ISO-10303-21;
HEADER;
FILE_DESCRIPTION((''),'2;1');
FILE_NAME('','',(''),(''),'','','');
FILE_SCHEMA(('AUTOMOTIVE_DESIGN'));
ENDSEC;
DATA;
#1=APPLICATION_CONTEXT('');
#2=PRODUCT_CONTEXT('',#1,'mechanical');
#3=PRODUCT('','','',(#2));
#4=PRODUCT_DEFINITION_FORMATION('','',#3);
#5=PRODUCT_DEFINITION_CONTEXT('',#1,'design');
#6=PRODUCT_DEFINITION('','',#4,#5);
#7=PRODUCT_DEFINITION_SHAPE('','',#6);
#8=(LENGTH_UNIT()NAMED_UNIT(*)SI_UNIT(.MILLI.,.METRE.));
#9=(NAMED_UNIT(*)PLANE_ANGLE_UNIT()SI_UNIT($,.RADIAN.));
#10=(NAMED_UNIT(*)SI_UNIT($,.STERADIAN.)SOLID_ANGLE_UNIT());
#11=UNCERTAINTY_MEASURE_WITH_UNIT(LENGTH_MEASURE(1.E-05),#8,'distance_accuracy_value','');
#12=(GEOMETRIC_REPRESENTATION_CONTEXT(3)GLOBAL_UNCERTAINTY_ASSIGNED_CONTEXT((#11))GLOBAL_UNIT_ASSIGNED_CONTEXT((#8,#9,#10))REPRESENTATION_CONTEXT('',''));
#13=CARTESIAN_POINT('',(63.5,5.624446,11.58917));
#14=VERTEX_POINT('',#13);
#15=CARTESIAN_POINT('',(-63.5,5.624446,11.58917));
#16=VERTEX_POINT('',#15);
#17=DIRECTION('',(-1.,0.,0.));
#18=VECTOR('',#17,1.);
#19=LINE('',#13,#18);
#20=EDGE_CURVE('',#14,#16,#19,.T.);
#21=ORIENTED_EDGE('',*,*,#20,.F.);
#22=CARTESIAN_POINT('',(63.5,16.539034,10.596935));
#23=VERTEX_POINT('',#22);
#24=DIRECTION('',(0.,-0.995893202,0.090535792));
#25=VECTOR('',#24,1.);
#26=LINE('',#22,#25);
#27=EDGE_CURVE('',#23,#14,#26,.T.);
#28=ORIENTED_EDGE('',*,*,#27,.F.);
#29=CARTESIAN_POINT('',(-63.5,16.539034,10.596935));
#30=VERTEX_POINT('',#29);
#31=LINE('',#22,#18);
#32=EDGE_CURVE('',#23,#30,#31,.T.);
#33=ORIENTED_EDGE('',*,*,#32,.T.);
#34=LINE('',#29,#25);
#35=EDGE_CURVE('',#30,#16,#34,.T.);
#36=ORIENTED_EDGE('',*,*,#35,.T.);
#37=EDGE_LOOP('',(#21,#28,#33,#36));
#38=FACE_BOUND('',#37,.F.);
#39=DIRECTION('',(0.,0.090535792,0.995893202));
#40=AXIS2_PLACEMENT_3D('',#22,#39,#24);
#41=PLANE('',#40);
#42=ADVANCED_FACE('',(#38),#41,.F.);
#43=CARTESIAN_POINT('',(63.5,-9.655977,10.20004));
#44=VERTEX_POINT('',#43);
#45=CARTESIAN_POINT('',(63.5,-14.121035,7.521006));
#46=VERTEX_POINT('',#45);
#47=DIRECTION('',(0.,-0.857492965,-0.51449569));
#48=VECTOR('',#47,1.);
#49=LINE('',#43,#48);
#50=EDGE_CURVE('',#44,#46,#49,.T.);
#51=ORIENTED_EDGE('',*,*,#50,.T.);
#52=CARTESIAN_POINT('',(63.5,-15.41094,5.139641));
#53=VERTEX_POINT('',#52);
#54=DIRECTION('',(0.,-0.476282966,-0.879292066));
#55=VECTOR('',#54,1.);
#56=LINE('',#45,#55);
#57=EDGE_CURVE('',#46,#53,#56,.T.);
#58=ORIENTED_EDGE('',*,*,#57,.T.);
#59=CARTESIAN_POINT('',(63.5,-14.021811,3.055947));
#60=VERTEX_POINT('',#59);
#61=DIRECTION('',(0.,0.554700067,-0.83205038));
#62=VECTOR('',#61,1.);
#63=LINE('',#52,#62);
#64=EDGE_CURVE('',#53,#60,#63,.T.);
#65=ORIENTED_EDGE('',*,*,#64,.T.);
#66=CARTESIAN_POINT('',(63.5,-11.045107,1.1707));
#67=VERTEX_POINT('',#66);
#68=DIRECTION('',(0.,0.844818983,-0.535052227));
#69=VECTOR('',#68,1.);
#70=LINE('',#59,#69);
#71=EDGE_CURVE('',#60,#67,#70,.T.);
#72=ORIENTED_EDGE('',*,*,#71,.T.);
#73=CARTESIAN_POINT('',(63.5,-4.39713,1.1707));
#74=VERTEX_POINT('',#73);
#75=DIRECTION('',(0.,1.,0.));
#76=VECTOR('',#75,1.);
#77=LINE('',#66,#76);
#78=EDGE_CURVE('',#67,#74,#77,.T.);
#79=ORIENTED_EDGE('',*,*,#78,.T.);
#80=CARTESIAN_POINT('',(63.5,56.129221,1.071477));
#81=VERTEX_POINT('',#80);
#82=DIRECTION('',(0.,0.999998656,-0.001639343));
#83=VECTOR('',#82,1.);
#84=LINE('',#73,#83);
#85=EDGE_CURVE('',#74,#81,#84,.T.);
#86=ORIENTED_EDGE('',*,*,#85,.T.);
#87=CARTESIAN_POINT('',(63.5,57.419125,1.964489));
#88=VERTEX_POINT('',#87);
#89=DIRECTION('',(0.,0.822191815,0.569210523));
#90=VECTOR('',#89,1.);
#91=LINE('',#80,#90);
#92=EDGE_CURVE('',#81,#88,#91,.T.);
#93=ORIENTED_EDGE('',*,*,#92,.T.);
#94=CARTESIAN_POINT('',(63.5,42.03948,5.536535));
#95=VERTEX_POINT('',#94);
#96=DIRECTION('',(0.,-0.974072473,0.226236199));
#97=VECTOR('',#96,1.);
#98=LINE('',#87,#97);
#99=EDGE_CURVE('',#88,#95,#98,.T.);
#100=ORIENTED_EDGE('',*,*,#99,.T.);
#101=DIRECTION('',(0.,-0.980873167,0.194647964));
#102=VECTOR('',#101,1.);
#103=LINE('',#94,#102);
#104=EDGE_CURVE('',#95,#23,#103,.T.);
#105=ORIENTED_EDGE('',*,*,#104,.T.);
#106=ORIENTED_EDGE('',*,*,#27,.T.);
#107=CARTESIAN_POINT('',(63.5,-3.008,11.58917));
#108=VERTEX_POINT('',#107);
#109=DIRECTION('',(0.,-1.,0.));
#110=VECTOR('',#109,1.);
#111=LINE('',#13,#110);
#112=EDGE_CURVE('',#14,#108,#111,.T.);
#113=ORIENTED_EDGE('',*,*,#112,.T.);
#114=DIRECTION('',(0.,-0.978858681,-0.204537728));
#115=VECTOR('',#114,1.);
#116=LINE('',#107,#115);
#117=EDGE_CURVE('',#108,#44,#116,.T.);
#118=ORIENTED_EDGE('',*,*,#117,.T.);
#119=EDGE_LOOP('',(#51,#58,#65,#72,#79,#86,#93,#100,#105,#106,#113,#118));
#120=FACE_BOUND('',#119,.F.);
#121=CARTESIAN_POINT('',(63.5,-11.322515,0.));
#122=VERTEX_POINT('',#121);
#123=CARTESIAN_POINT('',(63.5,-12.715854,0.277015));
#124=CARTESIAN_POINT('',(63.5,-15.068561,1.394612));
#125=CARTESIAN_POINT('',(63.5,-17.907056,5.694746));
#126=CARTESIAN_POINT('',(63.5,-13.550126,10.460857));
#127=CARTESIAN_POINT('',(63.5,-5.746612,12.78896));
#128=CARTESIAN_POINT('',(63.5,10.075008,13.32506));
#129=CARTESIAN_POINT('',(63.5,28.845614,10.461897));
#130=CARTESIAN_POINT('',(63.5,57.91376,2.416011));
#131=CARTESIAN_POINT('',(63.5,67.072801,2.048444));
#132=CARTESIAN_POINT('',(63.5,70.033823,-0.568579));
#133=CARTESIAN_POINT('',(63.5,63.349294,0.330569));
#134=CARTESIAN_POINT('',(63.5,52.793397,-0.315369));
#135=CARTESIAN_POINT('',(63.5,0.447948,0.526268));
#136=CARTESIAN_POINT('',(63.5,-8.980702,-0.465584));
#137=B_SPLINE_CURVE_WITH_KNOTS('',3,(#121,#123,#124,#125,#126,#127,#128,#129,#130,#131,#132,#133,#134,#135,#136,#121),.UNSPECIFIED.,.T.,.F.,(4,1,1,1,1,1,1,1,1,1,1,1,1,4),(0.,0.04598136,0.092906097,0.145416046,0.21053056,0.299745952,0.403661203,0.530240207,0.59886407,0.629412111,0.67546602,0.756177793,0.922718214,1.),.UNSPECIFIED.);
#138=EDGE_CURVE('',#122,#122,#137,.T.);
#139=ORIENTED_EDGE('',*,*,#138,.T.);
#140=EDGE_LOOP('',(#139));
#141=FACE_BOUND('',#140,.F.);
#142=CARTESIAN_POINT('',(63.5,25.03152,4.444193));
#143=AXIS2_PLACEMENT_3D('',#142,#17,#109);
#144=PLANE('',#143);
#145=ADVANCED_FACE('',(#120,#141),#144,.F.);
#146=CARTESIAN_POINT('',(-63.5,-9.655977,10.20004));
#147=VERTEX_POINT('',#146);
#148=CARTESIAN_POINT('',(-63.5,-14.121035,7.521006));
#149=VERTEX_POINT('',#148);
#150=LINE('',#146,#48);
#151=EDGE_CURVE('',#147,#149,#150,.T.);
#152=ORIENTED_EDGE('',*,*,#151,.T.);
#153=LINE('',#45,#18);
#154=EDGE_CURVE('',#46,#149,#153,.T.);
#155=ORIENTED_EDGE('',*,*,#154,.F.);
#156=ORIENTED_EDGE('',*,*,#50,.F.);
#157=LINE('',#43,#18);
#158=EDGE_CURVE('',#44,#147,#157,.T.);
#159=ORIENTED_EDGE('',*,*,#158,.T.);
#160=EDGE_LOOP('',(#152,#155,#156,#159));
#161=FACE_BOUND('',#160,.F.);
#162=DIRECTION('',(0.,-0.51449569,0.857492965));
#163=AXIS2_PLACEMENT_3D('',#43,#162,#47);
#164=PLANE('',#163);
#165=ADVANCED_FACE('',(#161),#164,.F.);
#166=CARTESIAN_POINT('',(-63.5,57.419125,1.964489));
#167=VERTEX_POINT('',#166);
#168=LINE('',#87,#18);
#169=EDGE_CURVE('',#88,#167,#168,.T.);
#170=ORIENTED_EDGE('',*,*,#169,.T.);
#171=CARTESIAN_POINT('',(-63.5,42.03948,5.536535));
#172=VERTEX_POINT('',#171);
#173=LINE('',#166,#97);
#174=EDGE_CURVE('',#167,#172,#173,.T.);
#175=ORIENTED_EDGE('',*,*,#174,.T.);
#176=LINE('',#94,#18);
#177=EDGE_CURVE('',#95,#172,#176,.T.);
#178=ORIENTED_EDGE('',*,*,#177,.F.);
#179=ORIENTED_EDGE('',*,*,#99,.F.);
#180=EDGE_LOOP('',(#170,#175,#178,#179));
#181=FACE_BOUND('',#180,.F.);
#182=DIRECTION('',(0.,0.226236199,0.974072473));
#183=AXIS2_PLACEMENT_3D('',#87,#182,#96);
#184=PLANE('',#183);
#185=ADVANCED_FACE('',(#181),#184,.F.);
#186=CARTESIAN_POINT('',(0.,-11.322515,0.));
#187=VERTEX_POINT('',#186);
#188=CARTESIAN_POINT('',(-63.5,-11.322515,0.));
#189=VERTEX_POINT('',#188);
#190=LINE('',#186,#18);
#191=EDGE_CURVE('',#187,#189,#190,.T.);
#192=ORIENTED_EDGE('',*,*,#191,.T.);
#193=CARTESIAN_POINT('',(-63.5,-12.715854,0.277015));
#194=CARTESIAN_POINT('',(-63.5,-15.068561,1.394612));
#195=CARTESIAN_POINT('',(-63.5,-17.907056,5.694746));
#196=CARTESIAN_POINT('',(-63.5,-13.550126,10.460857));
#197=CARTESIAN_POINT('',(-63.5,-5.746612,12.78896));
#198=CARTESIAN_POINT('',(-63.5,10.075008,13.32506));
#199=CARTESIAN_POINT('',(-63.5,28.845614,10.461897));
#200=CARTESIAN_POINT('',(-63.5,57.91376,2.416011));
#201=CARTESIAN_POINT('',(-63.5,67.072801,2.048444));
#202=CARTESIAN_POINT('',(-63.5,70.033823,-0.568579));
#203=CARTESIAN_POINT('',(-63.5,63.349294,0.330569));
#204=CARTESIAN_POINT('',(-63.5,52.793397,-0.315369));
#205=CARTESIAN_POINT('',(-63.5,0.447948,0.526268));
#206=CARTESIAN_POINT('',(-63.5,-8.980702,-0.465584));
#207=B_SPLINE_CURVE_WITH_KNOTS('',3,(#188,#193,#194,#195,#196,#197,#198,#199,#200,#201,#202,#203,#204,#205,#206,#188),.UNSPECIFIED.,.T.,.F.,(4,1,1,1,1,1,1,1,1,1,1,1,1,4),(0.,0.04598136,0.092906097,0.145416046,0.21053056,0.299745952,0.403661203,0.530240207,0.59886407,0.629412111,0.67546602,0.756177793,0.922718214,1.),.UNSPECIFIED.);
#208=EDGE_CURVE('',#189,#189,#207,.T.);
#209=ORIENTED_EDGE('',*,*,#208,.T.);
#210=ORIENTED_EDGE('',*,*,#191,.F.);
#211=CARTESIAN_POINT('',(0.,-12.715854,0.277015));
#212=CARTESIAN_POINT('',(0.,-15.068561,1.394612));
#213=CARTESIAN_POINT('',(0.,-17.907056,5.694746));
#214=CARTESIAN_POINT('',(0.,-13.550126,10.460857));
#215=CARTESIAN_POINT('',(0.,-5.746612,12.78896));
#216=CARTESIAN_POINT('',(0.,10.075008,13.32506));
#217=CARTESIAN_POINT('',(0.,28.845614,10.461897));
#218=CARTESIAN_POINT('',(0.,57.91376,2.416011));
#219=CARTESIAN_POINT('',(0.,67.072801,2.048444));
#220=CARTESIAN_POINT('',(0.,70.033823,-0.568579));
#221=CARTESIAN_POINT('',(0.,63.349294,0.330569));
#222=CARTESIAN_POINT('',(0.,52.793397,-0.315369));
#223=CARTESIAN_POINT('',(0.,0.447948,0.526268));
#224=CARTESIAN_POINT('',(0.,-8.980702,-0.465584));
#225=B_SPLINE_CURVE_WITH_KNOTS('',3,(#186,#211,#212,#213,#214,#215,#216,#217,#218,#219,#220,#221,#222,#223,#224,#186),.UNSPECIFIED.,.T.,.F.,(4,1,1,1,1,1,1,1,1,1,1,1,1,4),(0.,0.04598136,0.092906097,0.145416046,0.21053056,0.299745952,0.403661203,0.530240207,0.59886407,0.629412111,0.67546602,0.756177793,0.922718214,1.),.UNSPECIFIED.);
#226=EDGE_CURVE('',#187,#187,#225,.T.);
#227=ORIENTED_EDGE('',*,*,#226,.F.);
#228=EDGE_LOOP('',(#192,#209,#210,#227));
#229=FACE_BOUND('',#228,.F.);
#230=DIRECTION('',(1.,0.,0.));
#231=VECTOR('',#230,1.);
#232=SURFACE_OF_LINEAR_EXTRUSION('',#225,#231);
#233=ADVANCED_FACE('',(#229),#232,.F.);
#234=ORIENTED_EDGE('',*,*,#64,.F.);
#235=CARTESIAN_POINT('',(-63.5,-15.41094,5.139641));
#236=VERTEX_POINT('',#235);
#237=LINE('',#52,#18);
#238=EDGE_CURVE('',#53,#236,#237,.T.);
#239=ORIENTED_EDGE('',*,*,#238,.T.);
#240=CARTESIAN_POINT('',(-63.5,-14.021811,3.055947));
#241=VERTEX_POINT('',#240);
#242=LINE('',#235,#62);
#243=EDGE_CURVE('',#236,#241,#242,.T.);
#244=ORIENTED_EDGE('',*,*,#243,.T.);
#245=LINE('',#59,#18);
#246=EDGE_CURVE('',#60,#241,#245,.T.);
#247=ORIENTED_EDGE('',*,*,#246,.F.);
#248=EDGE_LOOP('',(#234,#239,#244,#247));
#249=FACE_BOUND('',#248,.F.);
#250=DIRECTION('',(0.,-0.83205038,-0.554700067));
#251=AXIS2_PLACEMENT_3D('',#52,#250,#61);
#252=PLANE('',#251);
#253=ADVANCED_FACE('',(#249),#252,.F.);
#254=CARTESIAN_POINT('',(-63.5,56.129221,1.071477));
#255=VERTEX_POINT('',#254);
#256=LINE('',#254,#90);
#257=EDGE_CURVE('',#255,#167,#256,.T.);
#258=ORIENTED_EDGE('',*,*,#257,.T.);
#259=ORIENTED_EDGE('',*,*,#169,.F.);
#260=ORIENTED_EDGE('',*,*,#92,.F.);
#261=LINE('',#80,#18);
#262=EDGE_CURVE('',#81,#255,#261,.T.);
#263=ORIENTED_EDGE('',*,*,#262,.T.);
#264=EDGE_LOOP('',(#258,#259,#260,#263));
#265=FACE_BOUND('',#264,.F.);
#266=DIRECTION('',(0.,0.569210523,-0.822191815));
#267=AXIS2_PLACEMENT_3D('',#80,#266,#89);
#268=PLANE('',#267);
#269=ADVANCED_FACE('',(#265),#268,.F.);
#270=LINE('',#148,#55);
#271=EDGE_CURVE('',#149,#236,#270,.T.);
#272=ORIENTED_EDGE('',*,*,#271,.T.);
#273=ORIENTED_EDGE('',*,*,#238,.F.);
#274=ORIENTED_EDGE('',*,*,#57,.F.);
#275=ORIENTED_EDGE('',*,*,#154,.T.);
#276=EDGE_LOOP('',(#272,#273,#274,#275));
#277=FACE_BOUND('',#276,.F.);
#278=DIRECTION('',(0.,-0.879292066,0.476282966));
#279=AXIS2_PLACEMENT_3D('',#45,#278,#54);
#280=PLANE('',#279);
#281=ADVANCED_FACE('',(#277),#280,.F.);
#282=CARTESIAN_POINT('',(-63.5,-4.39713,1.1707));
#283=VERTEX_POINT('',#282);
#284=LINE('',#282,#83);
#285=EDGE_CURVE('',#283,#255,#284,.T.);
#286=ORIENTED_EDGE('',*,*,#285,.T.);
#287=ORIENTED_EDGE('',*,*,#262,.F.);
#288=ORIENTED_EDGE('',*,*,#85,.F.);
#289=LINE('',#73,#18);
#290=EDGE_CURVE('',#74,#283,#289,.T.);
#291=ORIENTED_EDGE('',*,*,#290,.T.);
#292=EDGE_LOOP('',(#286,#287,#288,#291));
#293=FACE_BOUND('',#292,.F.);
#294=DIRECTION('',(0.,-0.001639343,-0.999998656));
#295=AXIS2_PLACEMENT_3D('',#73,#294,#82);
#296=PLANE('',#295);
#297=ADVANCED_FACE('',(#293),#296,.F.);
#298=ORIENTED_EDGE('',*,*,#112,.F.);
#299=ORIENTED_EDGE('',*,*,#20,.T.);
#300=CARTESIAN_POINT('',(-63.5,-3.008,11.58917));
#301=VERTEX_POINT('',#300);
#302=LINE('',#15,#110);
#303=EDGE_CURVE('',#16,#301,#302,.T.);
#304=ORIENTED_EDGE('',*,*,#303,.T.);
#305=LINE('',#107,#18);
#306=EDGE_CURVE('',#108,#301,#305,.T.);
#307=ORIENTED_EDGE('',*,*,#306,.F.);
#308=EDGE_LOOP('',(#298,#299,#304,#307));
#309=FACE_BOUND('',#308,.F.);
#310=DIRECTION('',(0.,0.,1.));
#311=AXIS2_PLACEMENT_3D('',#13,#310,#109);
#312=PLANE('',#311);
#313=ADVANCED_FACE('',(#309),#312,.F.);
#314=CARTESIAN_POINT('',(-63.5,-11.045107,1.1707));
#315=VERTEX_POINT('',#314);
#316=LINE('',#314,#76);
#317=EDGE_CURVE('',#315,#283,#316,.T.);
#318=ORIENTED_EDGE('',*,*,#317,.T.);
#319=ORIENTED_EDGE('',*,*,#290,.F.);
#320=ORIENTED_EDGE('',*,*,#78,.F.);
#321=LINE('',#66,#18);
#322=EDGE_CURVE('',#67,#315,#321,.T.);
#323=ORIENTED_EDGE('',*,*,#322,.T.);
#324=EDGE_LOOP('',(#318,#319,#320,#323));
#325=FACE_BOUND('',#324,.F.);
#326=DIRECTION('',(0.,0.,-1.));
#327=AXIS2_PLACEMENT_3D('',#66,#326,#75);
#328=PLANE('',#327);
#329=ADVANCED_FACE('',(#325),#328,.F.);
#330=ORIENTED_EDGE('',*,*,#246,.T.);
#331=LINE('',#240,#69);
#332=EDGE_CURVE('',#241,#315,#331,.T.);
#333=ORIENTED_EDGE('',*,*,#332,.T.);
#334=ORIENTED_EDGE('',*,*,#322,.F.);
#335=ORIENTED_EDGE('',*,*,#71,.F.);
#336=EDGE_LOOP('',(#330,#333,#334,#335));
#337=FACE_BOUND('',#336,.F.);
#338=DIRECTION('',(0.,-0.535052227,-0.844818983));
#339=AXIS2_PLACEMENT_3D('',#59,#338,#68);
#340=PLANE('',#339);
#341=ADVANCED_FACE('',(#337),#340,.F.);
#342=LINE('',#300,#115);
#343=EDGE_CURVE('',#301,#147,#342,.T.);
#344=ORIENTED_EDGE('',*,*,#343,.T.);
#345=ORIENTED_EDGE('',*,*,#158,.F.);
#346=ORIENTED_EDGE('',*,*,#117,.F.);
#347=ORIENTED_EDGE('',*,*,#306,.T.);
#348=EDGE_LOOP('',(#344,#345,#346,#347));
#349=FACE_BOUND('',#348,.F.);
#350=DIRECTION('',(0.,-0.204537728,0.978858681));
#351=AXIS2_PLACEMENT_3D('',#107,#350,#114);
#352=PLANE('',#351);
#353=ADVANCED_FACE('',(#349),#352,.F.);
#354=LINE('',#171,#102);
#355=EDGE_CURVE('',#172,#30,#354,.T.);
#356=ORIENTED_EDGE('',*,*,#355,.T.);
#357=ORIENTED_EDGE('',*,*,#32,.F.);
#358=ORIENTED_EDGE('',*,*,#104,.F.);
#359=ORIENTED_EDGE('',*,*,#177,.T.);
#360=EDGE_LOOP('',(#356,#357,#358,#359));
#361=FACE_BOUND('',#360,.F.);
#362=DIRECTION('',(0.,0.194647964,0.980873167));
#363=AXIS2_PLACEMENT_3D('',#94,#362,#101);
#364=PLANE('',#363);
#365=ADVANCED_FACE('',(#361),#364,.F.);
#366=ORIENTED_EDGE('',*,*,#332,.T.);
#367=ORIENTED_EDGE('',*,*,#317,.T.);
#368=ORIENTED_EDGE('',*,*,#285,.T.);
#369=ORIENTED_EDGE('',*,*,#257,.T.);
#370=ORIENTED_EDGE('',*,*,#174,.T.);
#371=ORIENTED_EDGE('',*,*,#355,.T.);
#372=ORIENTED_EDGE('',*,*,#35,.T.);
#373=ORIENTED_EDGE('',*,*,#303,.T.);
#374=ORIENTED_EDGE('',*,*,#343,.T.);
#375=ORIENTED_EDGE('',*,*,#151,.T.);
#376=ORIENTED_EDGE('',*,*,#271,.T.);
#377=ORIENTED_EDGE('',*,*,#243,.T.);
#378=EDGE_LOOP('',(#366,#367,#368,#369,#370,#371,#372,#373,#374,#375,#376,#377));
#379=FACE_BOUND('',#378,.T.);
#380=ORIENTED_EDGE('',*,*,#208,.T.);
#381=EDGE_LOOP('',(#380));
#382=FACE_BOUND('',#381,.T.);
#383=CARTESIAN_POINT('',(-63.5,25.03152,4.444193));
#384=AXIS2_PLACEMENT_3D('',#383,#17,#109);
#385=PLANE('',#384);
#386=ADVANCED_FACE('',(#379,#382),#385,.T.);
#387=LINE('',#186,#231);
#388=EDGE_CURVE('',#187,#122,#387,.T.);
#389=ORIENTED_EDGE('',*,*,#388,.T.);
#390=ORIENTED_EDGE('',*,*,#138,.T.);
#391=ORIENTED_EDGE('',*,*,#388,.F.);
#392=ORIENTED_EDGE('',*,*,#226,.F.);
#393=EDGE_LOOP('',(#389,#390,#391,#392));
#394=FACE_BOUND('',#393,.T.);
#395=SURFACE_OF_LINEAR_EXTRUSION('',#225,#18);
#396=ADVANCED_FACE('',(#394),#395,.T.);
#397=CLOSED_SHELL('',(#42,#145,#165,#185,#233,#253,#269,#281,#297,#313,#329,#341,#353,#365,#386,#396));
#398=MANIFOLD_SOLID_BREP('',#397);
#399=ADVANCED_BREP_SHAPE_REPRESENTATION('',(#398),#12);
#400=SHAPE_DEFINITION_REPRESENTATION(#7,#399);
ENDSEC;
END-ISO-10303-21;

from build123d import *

# Parameters (mm, degrees)
F1_DEPTH      = 63.5
F1_DEPTH_BACK = 63.5
F3_DEPTH      = 127


with BuildPart() as f1:
    # F0 (on Right) → F1 (new body, two sides)
    with BuildSketch(Plane.YZ) as f1_sk:
        with BuildLine():
            add(Edge.make_bspline(
                [(-11.3225150853, 0), (-12.7158543585, 0.2770146483), (-15.0685609853, 1.3946122235), (-17.9070561668, 5.6947463584), (-13.5501261372, 10.4608568659), (-5.7466124489, 12.788960488), (10.0750079599, 13.3250601655), (28.8456139202, 10.4618973674), (57.9137596955, 2.4160107126), (67.072801422, 2.0484435555), (70.033822944, -0.5685789704), (63.3492943712, 0.3305689955), (52.7933972094, -0.315368698), (0.4479477851, 0.5262678674), (-8.9807021, -0.4655840204), (-11.3225150853, 0)],
                knots=[0, 0, 0, 0, 0.0459813605, 0.0929060971, 0.1454160458, 0.2105305602, 0.2997459524, 0.4036612031, 0.5302402072, 0.5988640695, 0.6294121107, 0.67546602, 0.7561777932, 0.9227182143, 1, 1, 1, 1], degree=3))
        make_face()
    extrude(amount=F1_DEPTH)
    extrude(f1_sk.sketch, amount=-F1_DEPTH_BACK)

    # F2 (on face) → F3 (cut)
    with BuildSketch(Plane.YZ.offset(63.5)):
        Polygon((-11.0451066867, 1.1707002996), (-4.39712964, 1.1707002996), (56.1292208731, 1.0714767268), (57.4191249907, 1.9644885324), (42.0394800603, 5.5365352891), (16.5390335023, 10.596934706), (5.6244460866, 11.5891704336), (-3.0080003198, 11.5891704336), (-9.655976668, 10.2000404149), (-14.1210351139, 7.521005813), (-15.4109401628, 5.1396414638), (-14.0218110755, 3.0559471343), align=None)
    extrude(amount=-F3_DEPTH, mode=Mode.SUBTRACT)


solid = f1.part
